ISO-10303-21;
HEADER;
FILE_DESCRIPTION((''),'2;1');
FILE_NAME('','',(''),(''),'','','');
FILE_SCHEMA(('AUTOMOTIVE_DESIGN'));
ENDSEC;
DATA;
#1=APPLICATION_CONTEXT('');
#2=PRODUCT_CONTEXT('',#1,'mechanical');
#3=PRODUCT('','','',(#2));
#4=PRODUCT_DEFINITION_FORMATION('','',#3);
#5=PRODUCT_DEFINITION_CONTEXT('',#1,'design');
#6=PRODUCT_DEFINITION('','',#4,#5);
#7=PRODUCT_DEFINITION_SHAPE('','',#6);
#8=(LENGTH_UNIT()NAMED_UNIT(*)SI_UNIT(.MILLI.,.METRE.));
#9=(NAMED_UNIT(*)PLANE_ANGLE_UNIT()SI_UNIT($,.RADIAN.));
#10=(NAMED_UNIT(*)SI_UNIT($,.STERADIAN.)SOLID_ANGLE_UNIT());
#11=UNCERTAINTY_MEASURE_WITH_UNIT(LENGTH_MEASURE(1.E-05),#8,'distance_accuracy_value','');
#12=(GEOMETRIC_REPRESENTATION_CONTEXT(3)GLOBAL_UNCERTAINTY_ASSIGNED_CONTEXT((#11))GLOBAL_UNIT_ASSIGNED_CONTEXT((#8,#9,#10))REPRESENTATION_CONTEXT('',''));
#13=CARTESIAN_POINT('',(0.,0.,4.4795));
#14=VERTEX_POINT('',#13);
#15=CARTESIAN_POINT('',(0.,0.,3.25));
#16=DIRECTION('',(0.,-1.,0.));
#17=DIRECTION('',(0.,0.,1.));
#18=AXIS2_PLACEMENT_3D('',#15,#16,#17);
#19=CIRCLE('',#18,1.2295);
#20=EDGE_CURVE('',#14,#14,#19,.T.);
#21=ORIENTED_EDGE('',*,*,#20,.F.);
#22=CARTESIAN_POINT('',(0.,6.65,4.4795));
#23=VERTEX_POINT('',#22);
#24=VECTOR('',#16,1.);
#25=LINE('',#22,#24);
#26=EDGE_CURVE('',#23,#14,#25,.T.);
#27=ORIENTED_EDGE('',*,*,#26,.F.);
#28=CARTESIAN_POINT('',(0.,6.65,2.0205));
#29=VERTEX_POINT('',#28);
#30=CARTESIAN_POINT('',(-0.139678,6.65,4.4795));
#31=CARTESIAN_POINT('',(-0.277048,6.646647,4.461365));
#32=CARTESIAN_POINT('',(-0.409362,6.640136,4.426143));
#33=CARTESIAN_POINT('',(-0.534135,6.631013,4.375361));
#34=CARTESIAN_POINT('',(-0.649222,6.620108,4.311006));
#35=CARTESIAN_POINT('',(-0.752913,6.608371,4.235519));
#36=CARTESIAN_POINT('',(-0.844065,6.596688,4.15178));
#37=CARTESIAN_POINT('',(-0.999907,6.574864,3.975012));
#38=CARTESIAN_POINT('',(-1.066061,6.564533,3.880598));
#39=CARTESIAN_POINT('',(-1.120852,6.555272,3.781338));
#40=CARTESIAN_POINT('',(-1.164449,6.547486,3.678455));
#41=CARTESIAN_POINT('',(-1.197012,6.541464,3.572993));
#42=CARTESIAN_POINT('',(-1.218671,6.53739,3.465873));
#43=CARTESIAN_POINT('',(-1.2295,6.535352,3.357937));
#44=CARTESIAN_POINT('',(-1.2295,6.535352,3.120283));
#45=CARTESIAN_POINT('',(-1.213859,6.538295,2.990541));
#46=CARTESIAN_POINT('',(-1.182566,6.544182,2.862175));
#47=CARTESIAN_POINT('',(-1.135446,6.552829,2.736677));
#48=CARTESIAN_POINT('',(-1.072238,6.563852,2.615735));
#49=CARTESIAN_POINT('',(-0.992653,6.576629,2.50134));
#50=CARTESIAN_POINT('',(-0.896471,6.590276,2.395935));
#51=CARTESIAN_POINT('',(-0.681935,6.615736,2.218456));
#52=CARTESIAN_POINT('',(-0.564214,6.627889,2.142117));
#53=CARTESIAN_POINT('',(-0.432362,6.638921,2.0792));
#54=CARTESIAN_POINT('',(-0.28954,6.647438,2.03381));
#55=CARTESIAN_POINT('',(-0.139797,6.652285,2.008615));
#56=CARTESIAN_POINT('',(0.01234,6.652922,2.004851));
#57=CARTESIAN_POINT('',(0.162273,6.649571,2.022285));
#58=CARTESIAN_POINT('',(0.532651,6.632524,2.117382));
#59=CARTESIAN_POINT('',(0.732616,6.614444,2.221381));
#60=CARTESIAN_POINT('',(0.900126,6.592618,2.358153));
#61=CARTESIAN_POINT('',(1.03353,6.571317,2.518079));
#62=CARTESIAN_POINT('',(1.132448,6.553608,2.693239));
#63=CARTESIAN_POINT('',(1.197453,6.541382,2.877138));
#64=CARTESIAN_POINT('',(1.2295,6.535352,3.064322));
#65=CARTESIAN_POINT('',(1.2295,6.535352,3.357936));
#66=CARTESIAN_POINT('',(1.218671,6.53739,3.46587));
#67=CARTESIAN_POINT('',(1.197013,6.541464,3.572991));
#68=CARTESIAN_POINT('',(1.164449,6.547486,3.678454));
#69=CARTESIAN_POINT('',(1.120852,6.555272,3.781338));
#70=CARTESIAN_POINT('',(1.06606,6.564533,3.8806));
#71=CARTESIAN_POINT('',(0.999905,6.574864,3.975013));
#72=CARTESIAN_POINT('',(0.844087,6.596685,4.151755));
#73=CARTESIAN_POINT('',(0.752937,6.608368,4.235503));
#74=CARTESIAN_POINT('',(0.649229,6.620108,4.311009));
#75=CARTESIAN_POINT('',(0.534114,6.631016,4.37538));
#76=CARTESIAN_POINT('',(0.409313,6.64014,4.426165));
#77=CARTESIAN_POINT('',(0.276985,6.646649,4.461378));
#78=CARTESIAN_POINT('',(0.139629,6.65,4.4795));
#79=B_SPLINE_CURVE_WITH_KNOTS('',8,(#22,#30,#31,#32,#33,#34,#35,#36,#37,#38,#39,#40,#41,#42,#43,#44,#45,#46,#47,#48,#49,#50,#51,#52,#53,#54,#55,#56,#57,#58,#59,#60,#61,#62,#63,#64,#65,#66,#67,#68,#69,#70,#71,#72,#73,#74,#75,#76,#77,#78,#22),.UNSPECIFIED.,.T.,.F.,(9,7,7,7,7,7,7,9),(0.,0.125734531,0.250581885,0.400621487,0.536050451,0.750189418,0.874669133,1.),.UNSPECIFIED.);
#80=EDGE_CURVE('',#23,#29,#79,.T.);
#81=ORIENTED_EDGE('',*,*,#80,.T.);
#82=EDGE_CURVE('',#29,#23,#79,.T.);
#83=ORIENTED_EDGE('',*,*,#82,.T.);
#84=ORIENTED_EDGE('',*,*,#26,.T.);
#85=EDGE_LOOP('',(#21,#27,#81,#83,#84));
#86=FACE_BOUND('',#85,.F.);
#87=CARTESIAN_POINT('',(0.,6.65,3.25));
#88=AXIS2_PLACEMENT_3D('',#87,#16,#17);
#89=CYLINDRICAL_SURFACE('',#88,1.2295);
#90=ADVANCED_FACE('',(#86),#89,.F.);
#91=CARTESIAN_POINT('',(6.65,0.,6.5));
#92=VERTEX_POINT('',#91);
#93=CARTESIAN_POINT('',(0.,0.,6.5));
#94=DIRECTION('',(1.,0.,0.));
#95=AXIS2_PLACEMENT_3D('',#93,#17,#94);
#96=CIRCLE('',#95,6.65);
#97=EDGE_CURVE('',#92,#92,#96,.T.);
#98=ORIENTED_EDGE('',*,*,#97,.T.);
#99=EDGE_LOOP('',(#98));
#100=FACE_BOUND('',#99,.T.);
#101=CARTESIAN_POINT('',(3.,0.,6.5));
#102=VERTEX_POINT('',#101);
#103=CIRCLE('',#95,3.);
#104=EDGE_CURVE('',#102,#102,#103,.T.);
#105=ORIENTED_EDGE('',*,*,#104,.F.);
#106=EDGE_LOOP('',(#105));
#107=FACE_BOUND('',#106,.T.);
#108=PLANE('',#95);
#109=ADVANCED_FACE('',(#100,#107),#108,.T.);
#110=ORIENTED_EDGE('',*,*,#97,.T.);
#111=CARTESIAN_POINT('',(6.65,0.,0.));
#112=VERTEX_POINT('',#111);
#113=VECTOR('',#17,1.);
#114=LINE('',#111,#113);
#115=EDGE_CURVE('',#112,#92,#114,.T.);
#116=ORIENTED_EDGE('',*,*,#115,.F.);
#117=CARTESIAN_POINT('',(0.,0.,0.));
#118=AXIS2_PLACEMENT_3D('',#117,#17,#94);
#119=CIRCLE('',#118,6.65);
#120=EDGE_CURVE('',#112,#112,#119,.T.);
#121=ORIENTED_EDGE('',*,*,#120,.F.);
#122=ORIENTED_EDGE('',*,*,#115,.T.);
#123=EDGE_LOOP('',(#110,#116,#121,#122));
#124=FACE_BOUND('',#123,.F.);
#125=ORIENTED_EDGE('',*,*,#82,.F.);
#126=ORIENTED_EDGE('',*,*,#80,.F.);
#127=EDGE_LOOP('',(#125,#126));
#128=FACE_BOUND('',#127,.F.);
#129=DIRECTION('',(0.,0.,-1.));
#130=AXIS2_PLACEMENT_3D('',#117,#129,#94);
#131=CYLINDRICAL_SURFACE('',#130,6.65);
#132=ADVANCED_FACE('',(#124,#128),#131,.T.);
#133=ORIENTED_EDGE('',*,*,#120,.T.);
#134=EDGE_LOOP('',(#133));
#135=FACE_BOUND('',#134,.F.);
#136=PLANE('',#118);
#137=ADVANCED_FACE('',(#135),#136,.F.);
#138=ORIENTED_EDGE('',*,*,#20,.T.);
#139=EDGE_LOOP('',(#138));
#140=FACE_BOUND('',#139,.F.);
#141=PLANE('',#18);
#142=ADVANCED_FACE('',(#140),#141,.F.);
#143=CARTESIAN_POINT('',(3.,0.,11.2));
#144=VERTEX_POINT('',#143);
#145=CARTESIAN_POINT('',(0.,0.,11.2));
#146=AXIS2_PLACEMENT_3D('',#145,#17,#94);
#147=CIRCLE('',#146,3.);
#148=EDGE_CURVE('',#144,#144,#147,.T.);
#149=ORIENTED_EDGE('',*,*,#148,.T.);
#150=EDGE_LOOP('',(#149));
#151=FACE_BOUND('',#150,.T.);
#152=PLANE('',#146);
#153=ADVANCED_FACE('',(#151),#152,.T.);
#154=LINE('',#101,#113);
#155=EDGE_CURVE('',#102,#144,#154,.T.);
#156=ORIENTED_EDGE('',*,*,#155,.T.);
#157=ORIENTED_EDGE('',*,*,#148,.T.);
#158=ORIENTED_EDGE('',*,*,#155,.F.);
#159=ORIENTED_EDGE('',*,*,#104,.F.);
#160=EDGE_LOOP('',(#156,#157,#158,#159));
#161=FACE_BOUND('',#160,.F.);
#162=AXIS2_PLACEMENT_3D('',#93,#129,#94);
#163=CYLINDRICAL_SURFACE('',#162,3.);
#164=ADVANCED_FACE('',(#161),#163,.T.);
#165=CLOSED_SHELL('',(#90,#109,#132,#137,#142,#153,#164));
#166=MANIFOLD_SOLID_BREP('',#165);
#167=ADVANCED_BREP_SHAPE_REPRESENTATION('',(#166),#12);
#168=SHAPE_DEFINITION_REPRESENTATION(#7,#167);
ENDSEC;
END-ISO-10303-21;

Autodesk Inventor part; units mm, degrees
ref_plane "YZ Plane" through (0, 0, 0) normal (1, 0, 0) x (0, 1, 0)
ref_plane "XZ Plane" through (0, 0, 0) normal (0, 1, 0) x (-1, 0, 0)
sketch "Sketch1" plane through (0, 0, 0) normal (0, 0, 1) x (1, 0, 0)
  circle A0 centre (0, 0) radius 6.65
  dimension "d0" = 13.3
extrude "Extrusion1" add sketch "Sketch1" along normal blind 6.5
ref_plane "Work Plane1" through (-6.65, 6.65, 6.5) normal (0, 1, 0) x (1, 0, 0)
sketch "Sketch3" plane through (-6.65, 6.65, 6.5) normal (0, 1, 0) x (1, 0, 0)
  circle A0 centre (6.65, 3.25) radius 1.2
  dimension "d9" = 2.4
hole "Hole1" at (0, 6.65, 3.25) direction (0, -1, 0) diameter 2.459 depth 6.65 thread size "M3x0.5" designation "M3" class "6H" standard "GB Metric profile"
sketch "Sketch4" plane through (0, 0, 6.5) normal (0, 0, 1) x (1, 0, 0)
  circle A0 centre (0, 0) radius 6.65 projected
  circle A1 centre (0, 0) radius 3
  dimension "d17" = 6
extrude "Extrusion3" add sketch "Sketch4" along normal blind 4.7 contours A1
properties part number "hridel kuzelova kolecka"
